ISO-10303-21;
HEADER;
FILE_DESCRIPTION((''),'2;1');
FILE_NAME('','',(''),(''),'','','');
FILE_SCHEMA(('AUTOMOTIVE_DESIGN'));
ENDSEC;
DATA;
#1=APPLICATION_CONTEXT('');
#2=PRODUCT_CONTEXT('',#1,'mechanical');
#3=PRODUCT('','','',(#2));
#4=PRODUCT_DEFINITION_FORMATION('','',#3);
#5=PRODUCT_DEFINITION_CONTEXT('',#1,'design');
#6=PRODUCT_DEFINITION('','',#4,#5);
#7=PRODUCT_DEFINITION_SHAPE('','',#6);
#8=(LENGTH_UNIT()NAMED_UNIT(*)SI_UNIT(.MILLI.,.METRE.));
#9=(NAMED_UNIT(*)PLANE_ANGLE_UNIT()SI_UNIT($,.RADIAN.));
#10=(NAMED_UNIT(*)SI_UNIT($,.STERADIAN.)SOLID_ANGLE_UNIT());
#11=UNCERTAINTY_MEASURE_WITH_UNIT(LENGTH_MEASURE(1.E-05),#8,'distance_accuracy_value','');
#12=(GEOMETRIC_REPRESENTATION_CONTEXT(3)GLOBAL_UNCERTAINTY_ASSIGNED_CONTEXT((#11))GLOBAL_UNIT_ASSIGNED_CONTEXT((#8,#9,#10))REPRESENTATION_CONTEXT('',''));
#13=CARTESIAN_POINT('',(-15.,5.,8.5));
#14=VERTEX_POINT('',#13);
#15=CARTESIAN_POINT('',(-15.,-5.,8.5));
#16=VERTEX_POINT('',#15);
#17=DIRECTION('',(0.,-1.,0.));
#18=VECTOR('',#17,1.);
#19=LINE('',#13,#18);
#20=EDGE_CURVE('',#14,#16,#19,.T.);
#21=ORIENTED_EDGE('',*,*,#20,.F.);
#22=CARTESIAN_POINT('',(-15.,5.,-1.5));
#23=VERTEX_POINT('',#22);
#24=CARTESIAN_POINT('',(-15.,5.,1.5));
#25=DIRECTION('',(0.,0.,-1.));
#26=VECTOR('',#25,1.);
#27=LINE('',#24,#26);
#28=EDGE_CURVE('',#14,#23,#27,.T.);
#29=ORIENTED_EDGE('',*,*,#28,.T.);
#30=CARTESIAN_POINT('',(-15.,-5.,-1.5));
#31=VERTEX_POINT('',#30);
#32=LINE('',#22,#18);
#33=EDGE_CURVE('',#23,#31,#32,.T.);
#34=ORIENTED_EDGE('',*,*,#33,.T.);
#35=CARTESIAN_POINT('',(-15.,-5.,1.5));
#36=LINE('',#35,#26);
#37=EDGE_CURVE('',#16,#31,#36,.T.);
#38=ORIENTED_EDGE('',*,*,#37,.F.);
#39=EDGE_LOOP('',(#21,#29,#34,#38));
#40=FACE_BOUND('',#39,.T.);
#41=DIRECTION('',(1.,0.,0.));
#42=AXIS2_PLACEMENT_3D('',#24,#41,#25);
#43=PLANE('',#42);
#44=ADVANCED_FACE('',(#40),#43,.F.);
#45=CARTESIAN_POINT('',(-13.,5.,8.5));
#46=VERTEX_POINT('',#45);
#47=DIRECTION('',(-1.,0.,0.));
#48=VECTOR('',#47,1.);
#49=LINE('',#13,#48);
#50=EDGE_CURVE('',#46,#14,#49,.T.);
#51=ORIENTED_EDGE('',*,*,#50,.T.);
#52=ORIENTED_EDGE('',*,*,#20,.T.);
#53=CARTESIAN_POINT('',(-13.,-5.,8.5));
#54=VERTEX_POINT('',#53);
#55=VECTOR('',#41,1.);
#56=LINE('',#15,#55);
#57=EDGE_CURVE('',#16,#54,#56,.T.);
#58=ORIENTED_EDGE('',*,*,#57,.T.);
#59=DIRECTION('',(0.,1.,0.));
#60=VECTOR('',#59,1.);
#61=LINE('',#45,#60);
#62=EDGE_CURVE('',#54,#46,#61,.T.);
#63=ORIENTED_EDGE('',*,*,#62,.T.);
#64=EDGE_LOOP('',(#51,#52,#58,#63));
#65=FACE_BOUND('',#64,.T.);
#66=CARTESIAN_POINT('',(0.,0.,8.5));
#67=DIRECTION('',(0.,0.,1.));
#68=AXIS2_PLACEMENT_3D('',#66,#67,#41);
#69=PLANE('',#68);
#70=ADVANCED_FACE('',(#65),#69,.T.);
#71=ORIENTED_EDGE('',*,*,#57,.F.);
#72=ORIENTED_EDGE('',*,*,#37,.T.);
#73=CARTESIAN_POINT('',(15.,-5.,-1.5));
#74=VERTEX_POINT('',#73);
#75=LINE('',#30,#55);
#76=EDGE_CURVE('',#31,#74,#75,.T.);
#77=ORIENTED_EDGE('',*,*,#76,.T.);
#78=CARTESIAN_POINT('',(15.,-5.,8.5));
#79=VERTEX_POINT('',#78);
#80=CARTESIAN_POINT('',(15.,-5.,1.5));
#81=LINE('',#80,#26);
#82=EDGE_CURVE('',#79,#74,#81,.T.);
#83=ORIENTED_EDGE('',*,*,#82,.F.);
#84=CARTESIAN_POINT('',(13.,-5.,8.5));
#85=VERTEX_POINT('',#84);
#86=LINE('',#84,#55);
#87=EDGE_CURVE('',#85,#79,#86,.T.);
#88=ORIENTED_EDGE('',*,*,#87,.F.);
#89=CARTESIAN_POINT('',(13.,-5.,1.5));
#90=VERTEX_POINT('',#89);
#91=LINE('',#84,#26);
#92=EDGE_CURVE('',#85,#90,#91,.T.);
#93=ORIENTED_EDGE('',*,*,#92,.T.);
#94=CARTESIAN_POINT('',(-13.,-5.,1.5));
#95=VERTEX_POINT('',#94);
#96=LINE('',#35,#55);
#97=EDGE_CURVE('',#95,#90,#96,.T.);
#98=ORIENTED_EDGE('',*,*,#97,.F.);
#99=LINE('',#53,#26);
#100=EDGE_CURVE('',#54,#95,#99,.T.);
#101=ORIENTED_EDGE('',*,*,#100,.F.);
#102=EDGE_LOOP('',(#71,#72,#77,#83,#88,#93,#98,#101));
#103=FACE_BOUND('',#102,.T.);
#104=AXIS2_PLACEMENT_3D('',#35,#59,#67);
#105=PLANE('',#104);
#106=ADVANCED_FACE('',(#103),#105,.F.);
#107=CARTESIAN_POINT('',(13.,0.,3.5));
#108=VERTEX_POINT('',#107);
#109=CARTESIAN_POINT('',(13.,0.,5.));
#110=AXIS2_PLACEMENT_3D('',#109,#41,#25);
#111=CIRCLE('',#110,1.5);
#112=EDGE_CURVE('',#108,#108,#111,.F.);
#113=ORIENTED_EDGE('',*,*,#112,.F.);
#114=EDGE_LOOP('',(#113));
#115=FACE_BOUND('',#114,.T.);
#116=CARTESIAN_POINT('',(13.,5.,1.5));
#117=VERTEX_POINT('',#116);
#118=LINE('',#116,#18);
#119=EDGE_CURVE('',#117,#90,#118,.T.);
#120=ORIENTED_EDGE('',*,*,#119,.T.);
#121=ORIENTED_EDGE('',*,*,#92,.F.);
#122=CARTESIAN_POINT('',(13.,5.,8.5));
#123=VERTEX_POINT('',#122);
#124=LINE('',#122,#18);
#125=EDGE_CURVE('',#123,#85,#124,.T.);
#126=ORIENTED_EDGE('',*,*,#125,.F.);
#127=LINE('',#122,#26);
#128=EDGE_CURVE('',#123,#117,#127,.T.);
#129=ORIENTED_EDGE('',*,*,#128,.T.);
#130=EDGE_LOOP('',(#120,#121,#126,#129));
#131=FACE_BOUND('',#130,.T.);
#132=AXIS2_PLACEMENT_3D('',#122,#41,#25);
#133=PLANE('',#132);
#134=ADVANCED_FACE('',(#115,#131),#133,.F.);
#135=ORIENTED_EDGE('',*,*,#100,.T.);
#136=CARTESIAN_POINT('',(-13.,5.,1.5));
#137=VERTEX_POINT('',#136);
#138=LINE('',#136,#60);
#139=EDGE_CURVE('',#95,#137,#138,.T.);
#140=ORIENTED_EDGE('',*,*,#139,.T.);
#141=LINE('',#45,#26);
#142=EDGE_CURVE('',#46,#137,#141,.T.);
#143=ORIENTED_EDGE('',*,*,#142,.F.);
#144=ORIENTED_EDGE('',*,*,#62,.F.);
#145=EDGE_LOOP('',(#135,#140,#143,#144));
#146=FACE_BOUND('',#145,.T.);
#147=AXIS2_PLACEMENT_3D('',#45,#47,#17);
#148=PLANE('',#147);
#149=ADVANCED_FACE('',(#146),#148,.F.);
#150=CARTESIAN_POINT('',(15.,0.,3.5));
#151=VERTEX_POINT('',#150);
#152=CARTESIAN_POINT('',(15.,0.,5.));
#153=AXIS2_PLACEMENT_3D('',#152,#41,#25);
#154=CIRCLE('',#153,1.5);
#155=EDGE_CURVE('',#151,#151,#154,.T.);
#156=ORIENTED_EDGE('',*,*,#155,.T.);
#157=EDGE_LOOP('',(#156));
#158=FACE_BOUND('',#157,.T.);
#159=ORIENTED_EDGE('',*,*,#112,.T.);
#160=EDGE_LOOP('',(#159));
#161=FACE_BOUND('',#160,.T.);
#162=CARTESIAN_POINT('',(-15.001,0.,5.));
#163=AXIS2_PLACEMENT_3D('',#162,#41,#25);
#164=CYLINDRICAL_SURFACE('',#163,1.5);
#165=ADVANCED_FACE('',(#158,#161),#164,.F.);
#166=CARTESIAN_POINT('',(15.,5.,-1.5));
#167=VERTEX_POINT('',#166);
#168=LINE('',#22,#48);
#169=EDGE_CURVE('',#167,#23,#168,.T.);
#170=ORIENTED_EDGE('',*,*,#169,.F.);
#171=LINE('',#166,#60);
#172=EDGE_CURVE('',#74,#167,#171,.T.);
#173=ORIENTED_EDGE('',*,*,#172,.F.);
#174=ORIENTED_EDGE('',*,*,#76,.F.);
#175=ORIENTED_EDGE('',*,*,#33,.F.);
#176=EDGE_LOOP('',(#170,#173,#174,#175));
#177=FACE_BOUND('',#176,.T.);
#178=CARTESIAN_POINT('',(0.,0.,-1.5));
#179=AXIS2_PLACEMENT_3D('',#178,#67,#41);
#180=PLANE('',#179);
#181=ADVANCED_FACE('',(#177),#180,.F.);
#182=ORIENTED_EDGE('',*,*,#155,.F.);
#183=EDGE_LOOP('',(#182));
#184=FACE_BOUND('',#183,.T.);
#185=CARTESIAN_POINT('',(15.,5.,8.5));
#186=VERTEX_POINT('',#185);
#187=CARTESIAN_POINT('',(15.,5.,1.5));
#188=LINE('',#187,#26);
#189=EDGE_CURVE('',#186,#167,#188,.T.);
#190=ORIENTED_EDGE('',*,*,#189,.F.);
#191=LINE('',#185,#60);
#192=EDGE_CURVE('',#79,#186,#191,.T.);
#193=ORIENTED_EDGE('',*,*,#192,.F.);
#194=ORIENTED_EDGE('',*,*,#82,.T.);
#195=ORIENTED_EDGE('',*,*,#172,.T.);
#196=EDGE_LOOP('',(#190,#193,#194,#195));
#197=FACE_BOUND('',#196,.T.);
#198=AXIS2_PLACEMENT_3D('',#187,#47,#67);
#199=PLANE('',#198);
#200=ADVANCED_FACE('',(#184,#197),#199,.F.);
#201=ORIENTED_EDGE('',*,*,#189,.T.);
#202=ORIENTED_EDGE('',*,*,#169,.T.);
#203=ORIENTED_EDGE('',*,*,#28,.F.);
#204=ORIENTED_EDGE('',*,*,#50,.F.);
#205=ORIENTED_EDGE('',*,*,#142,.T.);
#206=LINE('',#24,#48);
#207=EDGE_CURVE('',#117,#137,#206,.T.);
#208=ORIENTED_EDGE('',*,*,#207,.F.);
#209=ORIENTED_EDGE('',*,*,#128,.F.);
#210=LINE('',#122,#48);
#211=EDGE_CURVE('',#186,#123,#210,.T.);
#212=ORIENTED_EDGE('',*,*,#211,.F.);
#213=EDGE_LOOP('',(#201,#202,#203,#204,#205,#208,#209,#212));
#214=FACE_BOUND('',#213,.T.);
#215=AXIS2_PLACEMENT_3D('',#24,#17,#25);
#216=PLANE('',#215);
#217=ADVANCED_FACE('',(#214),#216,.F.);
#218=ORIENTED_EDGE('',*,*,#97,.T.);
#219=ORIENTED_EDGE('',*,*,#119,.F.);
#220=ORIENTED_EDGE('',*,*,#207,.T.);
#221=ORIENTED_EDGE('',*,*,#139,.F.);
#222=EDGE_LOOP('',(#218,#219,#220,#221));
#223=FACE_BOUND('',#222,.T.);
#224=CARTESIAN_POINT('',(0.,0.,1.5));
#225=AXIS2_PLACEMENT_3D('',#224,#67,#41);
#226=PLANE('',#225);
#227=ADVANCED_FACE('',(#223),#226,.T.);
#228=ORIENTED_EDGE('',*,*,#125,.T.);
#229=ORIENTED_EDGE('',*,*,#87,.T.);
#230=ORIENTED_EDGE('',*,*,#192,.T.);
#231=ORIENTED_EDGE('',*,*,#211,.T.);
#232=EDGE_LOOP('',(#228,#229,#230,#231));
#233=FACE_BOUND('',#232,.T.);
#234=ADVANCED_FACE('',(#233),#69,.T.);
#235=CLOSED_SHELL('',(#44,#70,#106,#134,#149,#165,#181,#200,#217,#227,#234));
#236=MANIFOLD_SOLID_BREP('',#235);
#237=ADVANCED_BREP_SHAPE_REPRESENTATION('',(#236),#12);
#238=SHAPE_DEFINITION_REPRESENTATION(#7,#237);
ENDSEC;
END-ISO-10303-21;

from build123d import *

# Parameters (mm, degrees)
SKETCH_1_W          = 30
SKETCH_1_H          = 10
EXTRUDE_1_DEPTH     = 1.5
SKETCH_2_W          = 2
SKETCH_2_H          = 10
EXTRUDE_2_DEPTH     = 7
CUT_EXTRUDE_1_REACH = 33.579
SKETCH_3_R          = 1.5


with BuildPart() as part:
    # 草图1 → 凸台-拉伸1 (new, symmetric)
    with BuildSketch(Plane.XY):
        Rectangle(SKETCH_1_W, SKETCH_1_H)
    extrude(amount=EXTRUDE_1_DEPTH, both=True)

    # 草图2 → 凸台-拉伸2 (add)
    with BuildSketch(Plane.XY.offset(1.5)):
        with Locations((-14, 0)):
            Rectangle(SKETCH_2_W, SKETCH_2_H)
        with Locations((14, 0)):
            Rectangle(SKETCH_2_W, SKETCH_2_H)
    extrude(amount=EXTRUDE_2_DEPTH)

    # 草图3 → 切除-拉伸1 (cut, up to next)
    with BuildSketch(Plane(origin=(15, 0, 0), x_dir=(0, 0, -1), z_dir=(1, 0, 0)), mode=Mode.PRIVATE) as cut_extrude_1_sk1:
        with Locations((-5, 0)):
            Circle(SKETCH_3_R)
    cut_extrude_1_tool1 = extrude(cut_extrude_1_sk1.sketch, amount=-CUT_EXTRUDE_1_REACH, mode=Mode.PRIVATE) & part.part
    add(cut_extrude_1_tool1.solids().sort_by_distance((15, 0, 5))[0], mode=Mode.SUBTRACT)


solid = part.part
